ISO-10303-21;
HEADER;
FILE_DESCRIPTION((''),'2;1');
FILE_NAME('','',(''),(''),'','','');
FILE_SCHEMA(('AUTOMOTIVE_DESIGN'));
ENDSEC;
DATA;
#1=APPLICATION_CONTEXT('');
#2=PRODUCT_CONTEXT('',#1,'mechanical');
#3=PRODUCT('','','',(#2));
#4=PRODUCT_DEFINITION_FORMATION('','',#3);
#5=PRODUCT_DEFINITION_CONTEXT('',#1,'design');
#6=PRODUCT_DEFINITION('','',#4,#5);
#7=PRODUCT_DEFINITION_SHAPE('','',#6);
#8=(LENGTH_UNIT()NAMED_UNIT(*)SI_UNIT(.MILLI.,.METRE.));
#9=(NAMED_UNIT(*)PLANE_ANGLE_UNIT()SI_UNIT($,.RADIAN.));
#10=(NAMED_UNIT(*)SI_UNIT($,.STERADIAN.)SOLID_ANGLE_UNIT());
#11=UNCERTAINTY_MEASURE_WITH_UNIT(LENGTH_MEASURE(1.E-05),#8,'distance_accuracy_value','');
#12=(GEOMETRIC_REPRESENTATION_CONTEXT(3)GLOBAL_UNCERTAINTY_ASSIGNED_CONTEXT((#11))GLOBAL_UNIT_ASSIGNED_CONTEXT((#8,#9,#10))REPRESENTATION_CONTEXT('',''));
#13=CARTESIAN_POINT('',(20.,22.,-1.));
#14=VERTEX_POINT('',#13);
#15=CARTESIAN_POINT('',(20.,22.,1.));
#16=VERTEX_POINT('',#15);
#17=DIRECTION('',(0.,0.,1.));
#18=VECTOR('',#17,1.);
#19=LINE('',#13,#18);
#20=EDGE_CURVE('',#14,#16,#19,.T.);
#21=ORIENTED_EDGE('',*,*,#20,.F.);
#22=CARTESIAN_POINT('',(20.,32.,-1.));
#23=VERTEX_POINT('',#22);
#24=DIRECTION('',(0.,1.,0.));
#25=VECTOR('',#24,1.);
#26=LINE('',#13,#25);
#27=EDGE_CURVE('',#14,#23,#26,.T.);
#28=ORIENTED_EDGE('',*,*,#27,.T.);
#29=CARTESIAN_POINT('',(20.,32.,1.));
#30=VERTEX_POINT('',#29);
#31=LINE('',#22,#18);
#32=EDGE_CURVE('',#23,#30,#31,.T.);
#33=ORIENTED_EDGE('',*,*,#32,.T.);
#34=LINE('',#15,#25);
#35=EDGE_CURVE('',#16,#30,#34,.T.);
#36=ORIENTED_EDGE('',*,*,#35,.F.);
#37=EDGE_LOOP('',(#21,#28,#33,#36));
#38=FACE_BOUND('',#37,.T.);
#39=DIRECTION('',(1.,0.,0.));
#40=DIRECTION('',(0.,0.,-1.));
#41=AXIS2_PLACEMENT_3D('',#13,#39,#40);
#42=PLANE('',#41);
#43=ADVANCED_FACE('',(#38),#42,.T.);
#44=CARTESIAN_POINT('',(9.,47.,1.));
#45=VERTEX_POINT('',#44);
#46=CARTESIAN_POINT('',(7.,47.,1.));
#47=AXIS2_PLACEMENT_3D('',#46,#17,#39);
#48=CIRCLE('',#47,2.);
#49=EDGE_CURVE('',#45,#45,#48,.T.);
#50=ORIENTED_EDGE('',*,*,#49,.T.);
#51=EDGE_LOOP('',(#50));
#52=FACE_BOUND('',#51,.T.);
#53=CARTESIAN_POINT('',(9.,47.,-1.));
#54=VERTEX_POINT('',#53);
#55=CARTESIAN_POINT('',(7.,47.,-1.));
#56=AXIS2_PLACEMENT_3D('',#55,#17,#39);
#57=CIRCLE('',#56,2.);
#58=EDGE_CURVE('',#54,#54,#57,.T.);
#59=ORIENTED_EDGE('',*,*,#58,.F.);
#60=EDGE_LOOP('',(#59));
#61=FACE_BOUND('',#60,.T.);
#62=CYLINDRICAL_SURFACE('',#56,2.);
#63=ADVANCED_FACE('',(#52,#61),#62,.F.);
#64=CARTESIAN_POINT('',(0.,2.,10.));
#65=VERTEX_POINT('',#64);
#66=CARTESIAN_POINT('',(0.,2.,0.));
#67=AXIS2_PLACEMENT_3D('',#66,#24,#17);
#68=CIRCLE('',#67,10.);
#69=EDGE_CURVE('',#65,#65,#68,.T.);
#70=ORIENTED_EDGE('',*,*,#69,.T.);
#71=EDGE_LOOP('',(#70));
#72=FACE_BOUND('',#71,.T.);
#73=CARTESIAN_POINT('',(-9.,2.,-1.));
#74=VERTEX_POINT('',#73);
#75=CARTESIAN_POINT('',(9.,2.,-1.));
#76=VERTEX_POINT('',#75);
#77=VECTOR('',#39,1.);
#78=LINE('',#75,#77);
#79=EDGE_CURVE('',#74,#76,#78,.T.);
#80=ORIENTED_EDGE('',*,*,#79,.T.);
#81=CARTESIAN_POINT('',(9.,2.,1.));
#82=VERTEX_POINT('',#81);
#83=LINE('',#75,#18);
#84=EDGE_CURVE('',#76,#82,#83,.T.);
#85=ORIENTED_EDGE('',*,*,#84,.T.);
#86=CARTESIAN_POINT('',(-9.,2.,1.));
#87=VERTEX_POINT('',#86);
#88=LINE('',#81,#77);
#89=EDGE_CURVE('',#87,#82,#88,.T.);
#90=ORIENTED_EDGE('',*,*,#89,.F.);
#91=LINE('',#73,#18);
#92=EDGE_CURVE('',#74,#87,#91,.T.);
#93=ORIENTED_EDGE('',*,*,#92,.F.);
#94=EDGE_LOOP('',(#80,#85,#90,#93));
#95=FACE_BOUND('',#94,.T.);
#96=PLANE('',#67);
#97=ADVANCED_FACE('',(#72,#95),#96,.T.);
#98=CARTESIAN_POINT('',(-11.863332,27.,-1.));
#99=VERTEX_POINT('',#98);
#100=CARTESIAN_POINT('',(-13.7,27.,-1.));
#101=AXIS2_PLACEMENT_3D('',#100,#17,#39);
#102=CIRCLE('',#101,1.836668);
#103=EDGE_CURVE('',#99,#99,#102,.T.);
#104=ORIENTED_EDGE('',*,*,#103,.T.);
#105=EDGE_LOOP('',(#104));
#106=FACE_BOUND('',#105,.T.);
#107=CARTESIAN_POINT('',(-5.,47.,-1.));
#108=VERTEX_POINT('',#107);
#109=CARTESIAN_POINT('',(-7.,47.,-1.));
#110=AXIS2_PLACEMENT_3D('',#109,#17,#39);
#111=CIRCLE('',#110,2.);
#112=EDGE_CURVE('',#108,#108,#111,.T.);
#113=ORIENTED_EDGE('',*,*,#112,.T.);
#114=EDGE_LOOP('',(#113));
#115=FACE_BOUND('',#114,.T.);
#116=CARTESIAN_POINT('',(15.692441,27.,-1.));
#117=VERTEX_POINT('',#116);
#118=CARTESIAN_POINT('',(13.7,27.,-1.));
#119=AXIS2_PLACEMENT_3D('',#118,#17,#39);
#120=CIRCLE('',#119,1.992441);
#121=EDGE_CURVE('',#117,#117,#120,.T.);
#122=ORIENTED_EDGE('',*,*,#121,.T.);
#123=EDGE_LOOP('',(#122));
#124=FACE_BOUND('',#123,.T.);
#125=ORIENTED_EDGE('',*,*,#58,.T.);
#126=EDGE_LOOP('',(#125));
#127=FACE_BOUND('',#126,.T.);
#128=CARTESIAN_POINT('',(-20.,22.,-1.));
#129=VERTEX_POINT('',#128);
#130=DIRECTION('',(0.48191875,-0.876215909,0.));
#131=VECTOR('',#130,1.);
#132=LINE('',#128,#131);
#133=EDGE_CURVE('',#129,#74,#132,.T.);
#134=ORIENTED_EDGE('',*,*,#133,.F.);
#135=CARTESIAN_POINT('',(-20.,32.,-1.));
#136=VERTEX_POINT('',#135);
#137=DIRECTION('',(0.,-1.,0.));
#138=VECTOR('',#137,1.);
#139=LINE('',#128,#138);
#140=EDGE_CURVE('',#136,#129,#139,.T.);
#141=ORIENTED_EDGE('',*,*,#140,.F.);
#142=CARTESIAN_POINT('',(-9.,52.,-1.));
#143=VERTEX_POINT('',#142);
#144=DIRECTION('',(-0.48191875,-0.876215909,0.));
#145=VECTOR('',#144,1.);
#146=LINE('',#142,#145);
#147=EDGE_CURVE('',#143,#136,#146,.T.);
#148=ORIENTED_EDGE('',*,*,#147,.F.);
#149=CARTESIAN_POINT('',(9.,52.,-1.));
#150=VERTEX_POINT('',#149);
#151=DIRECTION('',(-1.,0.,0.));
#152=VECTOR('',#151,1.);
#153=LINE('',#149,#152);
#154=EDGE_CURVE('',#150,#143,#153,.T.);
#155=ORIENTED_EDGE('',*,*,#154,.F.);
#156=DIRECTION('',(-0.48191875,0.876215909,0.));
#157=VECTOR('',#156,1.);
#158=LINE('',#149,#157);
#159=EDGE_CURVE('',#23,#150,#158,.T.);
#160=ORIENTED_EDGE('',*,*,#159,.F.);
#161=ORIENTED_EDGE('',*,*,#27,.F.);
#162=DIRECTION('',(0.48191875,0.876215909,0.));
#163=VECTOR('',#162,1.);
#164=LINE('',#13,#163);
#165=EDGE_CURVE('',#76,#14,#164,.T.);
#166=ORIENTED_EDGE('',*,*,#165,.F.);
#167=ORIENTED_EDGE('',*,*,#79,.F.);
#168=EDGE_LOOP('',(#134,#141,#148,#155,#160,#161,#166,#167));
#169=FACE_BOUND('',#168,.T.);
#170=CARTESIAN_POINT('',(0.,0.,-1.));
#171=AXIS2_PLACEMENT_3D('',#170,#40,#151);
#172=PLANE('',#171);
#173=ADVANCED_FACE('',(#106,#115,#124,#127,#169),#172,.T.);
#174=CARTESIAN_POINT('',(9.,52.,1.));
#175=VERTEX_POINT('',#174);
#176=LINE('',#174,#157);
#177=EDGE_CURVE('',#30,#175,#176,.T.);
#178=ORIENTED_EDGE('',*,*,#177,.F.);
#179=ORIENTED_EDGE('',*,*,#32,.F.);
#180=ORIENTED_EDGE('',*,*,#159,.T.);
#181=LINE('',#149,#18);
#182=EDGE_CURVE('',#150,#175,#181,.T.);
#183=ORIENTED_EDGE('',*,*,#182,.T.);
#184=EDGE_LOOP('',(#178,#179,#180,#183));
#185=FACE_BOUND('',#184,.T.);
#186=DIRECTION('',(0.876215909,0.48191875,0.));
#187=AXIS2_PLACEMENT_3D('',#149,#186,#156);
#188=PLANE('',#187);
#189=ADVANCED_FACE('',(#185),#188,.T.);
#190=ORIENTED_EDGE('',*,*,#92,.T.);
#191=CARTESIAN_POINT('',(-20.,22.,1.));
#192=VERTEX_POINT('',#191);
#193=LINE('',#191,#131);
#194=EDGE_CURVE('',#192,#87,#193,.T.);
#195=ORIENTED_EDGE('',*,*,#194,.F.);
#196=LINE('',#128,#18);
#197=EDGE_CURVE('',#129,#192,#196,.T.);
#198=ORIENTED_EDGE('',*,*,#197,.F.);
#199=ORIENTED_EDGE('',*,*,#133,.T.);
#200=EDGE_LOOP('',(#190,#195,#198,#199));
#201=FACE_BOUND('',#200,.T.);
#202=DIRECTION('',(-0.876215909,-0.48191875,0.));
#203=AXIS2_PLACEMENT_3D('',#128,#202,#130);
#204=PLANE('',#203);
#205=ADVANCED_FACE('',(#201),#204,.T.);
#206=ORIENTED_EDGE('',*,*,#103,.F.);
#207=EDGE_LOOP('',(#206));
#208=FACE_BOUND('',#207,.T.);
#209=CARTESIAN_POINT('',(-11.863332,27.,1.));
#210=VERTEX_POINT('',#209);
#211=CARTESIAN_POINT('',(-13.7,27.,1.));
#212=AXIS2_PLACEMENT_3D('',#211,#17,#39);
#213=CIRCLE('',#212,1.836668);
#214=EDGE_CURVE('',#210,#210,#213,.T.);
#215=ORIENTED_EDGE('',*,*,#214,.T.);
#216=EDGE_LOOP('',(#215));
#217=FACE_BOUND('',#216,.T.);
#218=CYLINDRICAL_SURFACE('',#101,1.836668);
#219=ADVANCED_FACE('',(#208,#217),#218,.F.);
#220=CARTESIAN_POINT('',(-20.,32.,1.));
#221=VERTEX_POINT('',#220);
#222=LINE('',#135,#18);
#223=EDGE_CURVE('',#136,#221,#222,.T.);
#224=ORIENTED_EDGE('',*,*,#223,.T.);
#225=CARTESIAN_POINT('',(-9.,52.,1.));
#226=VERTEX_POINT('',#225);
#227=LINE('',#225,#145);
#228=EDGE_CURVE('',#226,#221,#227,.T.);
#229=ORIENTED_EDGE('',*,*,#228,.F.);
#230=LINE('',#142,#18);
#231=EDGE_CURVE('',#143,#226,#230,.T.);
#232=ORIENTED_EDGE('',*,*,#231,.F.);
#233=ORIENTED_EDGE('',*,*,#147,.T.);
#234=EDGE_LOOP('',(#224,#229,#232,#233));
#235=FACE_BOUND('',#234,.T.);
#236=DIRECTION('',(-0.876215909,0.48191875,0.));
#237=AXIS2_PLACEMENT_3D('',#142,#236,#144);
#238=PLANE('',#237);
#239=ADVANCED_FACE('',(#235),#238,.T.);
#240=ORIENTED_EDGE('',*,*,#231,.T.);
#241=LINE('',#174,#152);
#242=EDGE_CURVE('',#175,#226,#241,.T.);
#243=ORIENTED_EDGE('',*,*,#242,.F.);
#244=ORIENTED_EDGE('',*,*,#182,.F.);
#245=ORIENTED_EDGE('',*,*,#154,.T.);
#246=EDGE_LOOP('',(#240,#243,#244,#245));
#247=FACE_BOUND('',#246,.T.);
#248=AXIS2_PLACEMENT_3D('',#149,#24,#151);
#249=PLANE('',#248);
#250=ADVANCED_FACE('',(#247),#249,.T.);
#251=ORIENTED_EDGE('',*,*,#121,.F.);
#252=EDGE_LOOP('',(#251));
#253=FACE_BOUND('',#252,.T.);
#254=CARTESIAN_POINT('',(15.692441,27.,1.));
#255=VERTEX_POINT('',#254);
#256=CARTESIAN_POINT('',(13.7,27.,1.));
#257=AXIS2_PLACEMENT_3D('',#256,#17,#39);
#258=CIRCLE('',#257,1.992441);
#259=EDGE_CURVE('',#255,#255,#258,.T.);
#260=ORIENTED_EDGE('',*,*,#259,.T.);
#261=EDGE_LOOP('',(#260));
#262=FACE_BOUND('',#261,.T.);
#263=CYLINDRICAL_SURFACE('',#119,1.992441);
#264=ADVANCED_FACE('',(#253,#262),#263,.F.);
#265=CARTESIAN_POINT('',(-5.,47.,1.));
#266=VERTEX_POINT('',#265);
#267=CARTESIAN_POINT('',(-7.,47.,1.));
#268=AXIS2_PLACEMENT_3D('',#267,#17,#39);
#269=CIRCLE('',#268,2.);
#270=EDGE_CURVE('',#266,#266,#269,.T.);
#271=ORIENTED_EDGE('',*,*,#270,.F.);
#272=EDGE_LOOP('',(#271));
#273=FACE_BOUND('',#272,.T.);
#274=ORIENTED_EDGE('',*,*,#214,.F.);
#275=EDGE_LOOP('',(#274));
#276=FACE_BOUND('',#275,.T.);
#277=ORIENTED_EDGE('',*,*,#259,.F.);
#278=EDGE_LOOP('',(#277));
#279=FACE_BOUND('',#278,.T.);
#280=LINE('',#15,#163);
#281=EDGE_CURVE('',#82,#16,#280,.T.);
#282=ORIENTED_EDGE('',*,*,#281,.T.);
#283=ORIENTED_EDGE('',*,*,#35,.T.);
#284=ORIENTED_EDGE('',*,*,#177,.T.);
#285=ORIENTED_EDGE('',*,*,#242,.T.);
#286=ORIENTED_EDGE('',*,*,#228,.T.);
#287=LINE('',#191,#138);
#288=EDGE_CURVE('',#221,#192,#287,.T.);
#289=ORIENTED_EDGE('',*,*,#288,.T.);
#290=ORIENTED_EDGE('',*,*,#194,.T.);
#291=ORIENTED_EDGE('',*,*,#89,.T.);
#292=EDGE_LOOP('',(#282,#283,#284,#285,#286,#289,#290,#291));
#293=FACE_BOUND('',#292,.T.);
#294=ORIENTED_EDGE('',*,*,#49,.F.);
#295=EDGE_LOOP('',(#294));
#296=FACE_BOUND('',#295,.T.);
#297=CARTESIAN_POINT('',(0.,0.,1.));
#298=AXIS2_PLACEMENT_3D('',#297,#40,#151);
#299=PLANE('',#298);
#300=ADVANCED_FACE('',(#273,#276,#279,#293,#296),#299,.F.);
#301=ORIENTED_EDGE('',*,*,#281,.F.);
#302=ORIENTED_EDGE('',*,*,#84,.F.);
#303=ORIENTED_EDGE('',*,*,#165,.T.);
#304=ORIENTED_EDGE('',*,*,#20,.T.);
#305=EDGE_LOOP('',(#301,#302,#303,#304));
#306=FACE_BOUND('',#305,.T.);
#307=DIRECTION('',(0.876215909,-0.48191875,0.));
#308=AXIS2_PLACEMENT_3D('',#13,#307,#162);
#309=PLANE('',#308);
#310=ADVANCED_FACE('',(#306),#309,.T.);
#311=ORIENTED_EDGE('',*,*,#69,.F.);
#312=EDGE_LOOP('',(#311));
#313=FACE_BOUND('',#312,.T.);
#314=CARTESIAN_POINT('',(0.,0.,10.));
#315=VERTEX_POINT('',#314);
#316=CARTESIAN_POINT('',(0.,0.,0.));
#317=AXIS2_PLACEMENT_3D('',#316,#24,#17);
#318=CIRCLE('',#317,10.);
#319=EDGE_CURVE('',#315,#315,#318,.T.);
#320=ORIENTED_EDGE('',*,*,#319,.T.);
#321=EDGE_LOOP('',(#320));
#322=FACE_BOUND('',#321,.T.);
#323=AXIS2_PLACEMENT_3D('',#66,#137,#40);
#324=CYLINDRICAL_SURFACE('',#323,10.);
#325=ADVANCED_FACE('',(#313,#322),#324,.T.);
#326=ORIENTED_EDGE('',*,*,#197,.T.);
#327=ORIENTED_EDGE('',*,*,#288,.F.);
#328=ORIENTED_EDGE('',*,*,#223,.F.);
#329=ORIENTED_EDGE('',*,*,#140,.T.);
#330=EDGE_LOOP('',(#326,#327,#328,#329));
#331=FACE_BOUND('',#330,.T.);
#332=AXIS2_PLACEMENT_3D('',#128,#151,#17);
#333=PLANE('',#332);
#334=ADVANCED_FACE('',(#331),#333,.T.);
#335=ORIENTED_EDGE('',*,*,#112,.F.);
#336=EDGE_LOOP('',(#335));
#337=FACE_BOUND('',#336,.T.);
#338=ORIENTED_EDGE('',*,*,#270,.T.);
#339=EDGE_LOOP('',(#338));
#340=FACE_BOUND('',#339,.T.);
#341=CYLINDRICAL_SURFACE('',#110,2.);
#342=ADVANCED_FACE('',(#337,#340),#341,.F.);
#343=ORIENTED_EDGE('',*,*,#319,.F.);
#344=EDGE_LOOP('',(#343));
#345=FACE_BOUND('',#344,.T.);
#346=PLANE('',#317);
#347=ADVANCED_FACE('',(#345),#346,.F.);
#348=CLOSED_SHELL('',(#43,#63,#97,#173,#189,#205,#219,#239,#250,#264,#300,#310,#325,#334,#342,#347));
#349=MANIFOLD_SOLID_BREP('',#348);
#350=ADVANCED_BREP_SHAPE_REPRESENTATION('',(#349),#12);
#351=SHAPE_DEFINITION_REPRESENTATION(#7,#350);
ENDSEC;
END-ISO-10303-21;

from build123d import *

# Parameters (mm, degrees)
SKETCH_1_R           = 10
EXTRUDE_1_DEPTH      = 2
EXTRUDE_2_DEPTH      = 1
EXTRUDE_2_DEPTH_BACK = 1
SKETCH_3_R           = 2
SKETCH_3_R_2         = 1.992440636
SKETCH_3_R_3         = 1.836667673


with BuildPart() as part:
    # 草图1 → 凸台-拉伸1 (new body)
    with BuildSketch(Plane(origin=(0, 0, 0), x_dir=(1, 0, 0), z_dir=(0, 1, 0))):
        Circle(SKETCH_1_R)
    extrude(amount=EXTRUDE_1_DEPTH)

    # 草图3 → 凸台-拉伸2 (add, two sides: drawn at the far end of the back side and taken through both)
    with BuildSketch(Plane.XY.offset(-EXTRUDE_2_DEPTH_BACK)):
        Polygon((9, 2), (-9, 2), (-20, 22), (-20, 32), (-9, 52), (9, 52), (20, 32), (20, 22), align=None)
        with Locations((-7, 47)):
            Circle(SKETCH_3_R, mode=Mode.SUBTRACT)
        with Locations((7, 47)):
            Circle(SKETCH_3_R, mode=Mode.SUBTRACT)
        with Locations((13.7, 27)):
            Circle(SKETCH_3_R_2, mode=Mode.SUBTRACT)
        with Locations((-13.7, 27)):
            Circle(SKETCH_3_R_3, mode=Mode.SUBTRACT)
    extrude(amount=EXTRUDE_2_DEPTH + EXTRUDE_2_DEPTH_BACK)


solid = part.part
